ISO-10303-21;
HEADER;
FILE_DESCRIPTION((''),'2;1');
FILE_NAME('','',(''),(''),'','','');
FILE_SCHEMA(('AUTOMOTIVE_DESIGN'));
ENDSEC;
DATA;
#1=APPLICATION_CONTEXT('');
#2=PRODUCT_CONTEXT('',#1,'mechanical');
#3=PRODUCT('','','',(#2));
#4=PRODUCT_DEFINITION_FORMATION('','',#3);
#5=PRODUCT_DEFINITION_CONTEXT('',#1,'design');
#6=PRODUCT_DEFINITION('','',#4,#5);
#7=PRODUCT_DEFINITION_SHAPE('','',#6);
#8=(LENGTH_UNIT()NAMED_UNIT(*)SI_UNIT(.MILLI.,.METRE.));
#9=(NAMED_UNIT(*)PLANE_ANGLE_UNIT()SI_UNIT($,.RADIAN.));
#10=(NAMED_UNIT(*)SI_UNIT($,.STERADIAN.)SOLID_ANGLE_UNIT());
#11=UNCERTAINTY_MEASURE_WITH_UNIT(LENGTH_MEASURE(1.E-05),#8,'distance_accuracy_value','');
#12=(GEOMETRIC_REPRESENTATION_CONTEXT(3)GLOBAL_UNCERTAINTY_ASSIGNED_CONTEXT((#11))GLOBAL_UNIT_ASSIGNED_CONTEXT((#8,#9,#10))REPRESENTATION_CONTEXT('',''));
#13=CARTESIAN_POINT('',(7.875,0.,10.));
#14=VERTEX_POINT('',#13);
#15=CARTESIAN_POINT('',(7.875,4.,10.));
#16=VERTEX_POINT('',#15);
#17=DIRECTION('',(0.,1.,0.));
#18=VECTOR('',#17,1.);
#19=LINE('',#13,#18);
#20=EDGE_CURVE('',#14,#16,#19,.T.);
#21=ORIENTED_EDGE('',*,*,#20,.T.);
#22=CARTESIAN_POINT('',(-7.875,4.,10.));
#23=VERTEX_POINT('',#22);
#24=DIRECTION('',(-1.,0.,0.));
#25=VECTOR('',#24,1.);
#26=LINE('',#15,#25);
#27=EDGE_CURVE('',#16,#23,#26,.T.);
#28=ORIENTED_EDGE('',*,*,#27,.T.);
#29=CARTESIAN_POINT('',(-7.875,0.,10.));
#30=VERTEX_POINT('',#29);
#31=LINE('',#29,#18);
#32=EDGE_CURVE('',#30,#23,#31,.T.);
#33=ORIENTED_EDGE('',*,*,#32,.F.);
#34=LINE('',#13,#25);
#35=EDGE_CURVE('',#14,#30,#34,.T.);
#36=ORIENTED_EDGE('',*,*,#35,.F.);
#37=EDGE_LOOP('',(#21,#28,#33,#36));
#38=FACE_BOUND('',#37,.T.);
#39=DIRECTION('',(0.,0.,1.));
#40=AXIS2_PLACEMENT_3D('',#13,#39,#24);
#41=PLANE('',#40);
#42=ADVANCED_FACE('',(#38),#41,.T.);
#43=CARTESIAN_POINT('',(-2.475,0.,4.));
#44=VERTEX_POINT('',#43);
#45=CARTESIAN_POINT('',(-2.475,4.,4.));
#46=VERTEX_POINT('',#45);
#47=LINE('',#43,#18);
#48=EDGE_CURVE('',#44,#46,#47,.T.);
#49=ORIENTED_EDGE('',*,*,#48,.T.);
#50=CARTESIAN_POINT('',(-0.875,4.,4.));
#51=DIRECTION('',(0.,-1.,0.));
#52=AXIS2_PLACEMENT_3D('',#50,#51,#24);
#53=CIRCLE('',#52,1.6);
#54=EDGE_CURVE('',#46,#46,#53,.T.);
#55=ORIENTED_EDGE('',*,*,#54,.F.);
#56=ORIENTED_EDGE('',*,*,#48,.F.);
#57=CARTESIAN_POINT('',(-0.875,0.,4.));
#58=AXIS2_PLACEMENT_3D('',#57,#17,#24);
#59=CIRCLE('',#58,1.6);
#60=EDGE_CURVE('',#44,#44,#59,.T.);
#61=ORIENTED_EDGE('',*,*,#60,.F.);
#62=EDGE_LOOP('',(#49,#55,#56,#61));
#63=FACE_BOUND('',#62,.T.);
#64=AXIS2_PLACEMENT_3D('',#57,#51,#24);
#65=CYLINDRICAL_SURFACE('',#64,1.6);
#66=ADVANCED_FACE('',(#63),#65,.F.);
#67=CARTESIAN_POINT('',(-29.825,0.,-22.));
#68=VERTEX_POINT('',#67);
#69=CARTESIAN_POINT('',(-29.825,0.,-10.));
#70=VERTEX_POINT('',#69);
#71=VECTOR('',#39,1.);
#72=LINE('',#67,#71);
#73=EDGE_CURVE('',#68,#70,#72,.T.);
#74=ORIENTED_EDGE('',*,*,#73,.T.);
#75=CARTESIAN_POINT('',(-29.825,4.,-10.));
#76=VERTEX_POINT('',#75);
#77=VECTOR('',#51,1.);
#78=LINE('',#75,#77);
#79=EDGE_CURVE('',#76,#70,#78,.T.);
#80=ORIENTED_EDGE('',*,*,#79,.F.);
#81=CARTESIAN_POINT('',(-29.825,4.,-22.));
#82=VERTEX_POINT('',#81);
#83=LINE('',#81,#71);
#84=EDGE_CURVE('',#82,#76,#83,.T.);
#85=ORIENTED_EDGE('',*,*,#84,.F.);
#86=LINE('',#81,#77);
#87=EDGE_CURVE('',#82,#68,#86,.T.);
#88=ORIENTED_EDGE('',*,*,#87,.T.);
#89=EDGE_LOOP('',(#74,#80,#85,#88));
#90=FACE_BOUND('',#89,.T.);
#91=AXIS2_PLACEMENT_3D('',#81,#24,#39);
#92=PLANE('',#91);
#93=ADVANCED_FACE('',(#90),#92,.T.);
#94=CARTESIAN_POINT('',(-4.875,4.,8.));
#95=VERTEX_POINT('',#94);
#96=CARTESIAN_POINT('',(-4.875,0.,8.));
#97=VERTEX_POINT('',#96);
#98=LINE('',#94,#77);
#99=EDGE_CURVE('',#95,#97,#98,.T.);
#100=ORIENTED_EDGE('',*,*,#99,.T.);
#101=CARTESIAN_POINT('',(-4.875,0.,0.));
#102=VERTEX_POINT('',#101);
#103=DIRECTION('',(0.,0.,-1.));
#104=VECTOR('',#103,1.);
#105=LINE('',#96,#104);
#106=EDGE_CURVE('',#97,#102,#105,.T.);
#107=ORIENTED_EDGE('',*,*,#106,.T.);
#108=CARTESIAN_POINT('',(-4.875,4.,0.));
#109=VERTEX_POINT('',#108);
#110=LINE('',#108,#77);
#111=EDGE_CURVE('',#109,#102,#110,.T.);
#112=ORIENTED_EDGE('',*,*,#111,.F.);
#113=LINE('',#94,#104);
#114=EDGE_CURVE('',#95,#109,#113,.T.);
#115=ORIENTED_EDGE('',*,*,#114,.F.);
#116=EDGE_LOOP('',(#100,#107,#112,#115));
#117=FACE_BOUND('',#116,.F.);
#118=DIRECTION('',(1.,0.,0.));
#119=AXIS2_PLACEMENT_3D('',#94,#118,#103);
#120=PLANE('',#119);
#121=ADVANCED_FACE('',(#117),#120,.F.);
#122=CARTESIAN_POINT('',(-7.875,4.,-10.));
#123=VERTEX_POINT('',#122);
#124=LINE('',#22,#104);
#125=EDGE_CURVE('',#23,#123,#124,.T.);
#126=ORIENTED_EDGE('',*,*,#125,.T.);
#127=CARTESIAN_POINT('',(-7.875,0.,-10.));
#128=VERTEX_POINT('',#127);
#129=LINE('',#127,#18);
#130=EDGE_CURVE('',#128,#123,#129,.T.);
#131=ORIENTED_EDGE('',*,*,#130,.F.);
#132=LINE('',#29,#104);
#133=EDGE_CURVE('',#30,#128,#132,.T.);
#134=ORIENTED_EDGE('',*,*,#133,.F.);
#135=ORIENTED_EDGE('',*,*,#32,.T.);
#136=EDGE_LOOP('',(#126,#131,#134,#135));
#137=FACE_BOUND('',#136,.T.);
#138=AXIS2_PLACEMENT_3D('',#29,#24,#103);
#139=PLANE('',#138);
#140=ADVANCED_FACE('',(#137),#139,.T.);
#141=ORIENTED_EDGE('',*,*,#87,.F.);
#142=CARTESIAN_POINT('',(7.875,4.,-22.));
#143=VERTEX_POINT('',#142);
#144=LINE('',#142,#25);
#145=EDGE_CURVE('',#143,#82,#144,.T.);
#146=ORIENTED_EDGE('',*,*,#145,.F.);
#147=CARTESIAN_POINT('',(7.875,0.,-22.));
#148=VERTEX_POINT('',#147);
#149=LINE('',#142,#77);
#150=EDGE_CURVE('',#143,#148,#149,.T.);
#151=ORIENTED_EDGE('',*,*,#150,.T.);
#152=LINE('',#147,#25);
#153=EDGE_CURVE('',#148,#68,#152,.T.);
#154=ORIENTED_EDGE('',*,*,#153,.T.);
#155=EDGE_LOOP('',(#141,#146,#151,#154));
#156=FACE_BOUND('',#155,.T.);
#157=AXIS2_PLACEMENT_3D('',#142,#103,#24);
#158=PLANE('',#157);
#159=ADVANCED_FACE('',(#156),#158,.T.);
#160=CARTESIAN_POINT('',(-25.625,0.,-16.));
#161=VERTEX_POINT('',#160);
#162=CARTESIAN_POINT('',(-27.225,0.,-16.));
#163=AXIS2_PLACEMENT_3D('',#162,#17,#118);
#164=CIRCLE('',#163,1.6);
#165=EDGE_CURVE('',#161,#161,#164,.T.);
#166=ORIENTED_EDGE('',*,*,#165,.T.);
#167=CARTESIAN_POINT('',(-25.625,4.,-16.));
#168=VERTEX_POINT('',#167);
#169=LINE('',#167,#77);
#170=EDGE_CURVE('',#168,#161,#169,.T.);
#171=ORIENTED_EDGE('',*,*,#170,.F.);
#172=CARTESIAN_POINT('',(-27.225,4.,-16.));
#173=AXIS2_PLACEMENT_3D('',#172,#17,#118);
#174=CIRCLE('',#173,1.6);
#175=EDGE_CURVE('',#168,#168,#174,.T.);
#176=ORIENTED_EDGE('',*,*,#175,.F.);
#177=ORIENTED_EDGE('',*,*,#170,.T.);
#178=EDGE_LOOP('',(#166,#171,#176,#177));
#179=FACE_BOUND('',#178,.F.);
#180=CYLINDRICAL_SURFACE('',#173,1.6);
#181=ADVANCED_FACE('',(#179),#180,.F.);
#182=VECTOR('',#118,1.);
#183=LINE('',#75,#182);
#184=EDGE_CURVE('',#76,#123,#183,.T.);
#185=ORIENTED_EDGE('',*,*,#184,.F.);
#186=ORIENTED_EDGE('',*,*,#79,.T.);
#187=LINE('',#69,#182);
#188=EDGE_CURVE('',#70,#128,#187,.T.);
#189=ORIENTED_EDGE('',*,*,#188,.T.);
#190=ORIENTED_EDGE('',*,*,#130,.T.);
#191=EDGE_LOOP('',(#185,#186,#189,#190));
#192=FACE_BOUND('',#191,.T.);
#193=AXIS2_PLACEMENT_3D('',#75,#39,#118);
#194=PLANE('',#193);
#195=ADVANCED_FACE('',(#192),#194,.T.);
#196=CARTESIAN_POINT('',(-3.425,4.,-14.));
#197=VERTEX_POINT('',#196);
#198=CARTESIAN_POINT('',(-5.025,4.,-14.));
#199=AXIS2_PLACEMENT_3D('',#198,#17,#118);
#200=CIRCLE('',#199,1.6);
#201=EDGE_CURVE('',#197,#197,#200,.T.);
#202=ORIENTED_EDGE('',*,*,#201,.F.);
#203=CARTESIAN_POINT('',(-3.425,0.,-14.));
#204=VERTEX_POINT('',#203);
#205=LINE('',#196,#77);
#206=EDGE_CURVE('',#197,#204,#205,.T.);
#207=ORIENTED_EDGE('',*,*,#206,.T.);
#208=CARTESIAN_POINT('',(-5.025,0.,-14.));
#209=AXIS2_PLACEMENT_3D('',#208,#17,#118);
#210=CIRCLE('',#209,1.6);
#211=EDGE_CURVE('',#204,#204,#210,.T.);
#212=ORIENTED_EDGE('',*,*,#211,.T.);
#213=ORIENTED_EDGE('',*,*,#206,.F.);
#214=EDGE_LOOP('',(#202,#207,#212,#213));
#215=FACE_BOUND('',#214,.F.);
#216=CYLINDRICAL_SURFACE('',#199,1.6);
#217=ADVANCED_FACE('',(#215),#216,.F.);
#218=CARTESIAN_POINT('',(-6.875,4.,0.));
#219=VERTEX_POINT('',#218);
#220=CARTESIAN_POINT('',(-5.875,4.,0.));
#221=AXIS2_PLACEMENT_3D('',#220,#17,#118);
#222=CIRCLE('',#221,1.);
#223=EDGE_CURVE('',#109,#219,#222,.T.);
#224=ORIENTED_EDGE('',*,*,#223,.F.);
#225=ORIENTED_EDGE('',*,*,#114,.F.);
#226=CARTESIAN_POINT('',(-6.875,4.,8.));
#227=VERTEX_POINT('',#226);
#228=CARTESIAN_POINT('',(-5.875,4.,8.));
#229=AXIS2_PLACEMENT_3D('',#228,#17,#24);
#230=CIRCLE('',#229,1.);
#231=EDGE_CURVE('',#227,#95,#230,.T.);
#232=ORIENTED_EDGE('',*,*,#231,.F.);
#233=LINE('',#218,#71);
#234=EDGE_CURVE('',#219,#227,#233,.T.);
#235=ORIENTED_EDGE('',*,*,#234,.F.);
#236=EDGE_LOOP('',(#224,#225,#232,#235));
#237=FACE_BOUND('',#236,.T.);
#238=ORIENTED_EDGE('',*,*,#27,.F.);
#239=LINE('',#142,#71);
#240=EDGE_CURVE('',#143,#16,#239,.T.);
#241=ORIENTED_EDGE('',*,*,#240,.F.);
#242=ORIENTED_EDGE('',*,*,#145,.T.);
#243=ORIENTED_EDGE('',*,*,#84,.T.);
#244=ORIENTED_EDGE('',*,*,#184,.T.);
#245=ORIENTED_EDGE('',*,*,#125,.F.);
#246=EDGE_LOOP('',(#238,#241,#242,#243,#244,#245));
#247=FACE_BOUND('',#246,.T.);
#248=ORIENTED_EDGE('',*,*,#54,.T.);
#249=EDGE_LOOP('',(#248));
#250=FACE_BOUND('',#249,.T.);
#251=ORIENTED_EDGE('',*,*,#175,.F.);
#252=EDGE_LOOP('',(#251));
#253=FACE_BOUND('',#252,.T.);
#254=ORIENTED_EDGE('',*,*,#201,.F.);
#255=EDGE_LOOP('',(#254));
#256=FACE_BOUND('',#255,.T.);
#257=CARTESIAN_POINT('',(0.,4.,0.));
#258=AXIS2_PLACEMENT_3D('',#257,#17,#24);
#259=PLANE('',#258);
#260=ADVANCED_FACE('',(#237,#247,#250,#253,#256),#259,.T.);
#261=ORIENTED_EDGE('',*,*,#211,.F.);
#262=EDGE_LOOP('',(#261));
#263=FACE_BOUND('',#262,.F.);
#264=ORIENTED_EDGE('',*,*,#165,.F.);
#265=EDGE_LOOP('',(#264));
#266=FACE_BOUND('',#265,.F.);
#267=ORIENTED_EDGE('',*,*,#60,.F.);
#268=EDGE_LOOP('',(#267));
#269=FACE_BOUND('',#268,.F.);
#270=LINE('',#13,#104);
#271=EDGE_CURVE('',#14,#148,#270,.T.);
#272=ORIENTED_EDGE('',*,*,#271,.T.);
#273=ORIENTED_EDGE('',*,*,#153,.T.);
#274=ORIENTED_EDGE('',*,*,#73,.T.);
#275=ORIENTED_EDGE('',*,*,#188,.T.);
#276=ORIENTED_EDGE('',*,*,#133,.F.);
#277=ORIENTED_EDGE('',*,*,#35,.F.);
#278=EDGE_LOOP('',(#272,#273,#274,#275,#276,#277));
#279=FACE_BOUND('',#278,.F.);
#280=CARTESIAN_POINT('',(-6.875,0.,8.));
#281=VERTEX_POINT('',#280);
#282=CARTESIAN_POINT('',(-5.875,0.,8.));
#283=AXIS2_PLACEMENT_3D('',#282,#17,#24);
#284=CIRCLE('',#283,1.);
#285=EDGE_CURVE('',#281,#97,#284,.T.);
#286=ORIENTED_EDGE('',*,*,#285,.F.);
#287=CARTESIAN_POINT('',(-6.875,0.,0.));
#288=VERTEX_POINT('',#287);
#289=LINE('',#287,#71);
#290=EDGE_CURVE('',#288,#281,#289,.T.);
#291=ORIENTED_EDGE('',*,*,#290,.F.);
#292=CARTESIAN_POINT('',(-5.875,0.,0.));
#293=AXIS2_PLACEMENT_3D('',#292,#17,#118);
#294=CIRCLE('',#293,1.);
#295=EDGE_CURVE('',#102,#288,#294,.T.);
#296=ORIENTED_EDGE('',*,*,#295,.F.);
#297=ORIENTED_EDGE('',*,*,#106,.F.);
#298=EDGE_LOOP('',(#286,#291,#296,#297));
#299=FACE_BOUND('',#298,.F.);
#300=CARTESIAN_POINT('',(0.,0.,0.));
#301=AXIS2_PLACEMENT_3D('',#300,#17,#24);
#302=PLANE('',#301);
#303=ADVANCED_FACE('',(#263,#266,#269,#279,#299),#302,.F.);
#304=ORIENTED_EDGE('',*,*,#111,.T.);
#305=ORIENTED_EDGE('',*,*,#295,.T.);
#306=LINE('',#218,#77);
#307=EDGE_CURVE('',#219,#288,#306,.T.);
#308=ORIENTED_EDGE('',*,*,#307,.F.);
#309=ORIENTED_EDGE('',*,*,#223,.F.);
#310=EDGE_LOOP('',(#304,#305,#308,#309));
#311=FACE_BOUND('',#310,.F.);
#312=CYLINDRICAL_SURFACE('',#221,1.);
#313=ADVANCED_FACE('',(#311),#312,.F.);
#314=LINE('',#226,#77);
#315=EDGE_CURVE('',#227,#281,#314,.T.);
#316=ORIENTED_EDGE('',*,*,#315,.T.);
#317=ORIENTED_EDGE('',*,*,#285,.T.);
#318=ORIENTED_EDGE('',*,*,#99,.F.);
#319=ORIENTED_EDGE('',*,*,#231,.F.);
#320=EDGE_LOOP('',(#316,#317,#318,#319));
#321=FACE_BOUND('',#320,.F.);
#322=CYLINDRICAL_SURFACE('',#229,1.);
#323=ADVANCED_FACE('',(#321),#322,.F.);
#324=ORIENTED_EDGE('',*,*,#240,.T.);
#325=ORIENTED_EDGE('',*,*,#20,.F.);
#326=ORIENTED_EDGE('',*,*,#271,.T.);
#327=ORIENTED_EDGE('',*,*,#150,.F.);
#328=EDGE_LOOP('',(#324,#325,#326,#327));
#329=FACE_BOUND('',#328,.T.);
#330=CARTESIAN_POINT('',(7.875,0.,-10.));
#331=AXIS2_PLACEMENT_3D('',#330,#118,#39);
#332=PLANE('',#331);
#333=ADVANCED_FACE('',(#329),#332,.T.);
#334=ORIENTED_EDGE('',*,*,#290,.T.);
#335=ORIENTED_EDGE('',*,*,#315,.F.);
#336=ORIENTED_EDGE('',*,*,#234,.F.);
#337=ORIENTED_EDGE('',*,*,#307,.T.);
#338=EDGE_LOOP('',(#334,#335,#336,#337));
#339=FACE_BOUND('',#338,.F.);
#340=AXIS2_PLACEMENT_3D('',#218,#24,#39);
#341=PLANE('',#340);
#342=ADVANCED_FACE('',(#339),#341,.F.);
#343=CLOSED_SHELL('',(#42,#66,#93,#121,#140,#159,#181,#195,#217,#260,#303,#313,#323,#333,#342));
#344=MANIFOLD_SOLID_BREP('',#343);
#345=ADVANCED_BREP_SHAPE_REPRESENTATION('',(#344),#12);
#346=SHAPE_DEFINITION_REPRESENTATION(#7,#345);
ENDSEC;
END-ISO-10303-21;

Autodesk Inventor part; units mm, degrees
ref_plane "YZ Plane" through (0, 0, 0) normal (1, 0, 0) x (0, 1, 0)
ref_plane "XZ Plane" through (0, 0, 0) normal (0, 1, 0) x (-1, 0, 0)
ref_plane "XY Plane" through (0, 0, 0) normal (0, 0, 1) x (1, 0, 0)
sketch "Эскиз9" plane through (0, 0, 0) normal (0, 1, 0) x (-1, 0, 0)
  line L0 (-7.875, 10) -> (7.875, 10)
  line L1 (7.875, 10) -> (7.875, -10)
  line L2 (7.875, -10) -> (-7.875, -10)
  line L3 (-7.875, -10) -> (-7.875, 10)
  line L4 (-7.875, 10) -> (7.875, -10) construction
  line L5 (7.875, 10) -> (-7.875, -10) construction
  circle A0 centre (0.875, 4) radius 1.6
  point P0 (0, 0)
  point P1 (7.875, 0)
  dimension "d56" = 15.75
  dimension "d57" = 20
  dimension "d58" = 3.2
  dimension "d86" = 6
  dimension "d87" = 7
extrude "Выдавливание9" add sketch "Эскиз9" along normal blind 4
sketch "Эскиз10" plane through (0, 4, 0) normal (0, 1, 0) x (1, 0, 0)
  line L0 (7.875, 22) -> (-29.825, 22)
  line L1 (-29.825, 22) -> (-29.825, 10)
  line L2 (-29.825, 10) -> (7.875, 10)
  line L3 (7.875, 10) -> (7.875, 22)
  line L4 (7.875, 22) -> (-29.825, 10) construction
  line L5 (-29.825, 22) -> (7.875, 10) construction
  line L6 (7.875, 10) -> (-7.875, 10) projected
  line L7 (-7.875, 10) -> (-7.875, -10) projected
  line L8 (7.875, -10) -> (7.875, 10) projected
  point P0 (0, 0)
  point P1 (-10.975, 16)
  point P2 (0, 10)
  point P3 (7.875, 16)
  dimension "d71" = 37.7
  dimension "d72" = 12
extrude "Выдавливание10" add sketch "Эскиз10" against normal blind 4
sketch "Эскиз11" plane through (0, 4, 0) normal (0, 1, 0) x (1, 0, 0)
  circle A0 centre (-14.5, 13) radius 1.6 construction
  circle A1 centre (7.7, 11) radius 1.6 construction
  circle A2 centre (-27.225, 16) radius 1.6
  line L0 (-29.825, 22) -> (-29.825, 10) projected
  line L1 (-29.825, 10) -> (-7.875, 10) projected
  circle A3 centre (-5.025, 14) radius 1.6
  line L2 (7.875, -10) -> (7.875, 22) projected
  point P0 (-29.825, 16)
  dimension "d75" = 3.2
  dimension "d76" = 2.6
  dimension "d77" = 6
  dimension "d78" = 3.2
  dimension "d79" = 4
  dimension "d80" = 12.9
extrude "Выдавливание11" cut sketch "Эскиз11" against normal blind 4
sketch "Эскиз12" plane through (0, 4, 0) normal (0, 1, 0) x (1, 0, 0)
  line L0 (-5.875, 1) -> (-5.875, -9) construction
  line L1 (-6.875, 0) -> (-6.875, -8)
  line L2 (-4.875, -8) -> (-4.875, 0)
  arc A0 (-4.875, 0) -> (-6.875, 0) centre (-5.875, 0) ccw
  arc A1 (-6.875, -8) -> (-4.875, -8) centre (-5.875, -8) ccw
  circle A2 centre (-0.875, -4) radius 1.6 projected
  line L3 (-0.875, -4) -> (-14.063, -4) construction
  point P0 (0, 0)
  point P1 (-5.875, -4)
  dimension "d81" = 10
  dimension "d82" = 2
  dimension "d83" = 5
extrude "Выдавливание12" cut sketch "Эскиз12" against normal blind 4
properties part number "креп_опт" material "Полипропилен"
